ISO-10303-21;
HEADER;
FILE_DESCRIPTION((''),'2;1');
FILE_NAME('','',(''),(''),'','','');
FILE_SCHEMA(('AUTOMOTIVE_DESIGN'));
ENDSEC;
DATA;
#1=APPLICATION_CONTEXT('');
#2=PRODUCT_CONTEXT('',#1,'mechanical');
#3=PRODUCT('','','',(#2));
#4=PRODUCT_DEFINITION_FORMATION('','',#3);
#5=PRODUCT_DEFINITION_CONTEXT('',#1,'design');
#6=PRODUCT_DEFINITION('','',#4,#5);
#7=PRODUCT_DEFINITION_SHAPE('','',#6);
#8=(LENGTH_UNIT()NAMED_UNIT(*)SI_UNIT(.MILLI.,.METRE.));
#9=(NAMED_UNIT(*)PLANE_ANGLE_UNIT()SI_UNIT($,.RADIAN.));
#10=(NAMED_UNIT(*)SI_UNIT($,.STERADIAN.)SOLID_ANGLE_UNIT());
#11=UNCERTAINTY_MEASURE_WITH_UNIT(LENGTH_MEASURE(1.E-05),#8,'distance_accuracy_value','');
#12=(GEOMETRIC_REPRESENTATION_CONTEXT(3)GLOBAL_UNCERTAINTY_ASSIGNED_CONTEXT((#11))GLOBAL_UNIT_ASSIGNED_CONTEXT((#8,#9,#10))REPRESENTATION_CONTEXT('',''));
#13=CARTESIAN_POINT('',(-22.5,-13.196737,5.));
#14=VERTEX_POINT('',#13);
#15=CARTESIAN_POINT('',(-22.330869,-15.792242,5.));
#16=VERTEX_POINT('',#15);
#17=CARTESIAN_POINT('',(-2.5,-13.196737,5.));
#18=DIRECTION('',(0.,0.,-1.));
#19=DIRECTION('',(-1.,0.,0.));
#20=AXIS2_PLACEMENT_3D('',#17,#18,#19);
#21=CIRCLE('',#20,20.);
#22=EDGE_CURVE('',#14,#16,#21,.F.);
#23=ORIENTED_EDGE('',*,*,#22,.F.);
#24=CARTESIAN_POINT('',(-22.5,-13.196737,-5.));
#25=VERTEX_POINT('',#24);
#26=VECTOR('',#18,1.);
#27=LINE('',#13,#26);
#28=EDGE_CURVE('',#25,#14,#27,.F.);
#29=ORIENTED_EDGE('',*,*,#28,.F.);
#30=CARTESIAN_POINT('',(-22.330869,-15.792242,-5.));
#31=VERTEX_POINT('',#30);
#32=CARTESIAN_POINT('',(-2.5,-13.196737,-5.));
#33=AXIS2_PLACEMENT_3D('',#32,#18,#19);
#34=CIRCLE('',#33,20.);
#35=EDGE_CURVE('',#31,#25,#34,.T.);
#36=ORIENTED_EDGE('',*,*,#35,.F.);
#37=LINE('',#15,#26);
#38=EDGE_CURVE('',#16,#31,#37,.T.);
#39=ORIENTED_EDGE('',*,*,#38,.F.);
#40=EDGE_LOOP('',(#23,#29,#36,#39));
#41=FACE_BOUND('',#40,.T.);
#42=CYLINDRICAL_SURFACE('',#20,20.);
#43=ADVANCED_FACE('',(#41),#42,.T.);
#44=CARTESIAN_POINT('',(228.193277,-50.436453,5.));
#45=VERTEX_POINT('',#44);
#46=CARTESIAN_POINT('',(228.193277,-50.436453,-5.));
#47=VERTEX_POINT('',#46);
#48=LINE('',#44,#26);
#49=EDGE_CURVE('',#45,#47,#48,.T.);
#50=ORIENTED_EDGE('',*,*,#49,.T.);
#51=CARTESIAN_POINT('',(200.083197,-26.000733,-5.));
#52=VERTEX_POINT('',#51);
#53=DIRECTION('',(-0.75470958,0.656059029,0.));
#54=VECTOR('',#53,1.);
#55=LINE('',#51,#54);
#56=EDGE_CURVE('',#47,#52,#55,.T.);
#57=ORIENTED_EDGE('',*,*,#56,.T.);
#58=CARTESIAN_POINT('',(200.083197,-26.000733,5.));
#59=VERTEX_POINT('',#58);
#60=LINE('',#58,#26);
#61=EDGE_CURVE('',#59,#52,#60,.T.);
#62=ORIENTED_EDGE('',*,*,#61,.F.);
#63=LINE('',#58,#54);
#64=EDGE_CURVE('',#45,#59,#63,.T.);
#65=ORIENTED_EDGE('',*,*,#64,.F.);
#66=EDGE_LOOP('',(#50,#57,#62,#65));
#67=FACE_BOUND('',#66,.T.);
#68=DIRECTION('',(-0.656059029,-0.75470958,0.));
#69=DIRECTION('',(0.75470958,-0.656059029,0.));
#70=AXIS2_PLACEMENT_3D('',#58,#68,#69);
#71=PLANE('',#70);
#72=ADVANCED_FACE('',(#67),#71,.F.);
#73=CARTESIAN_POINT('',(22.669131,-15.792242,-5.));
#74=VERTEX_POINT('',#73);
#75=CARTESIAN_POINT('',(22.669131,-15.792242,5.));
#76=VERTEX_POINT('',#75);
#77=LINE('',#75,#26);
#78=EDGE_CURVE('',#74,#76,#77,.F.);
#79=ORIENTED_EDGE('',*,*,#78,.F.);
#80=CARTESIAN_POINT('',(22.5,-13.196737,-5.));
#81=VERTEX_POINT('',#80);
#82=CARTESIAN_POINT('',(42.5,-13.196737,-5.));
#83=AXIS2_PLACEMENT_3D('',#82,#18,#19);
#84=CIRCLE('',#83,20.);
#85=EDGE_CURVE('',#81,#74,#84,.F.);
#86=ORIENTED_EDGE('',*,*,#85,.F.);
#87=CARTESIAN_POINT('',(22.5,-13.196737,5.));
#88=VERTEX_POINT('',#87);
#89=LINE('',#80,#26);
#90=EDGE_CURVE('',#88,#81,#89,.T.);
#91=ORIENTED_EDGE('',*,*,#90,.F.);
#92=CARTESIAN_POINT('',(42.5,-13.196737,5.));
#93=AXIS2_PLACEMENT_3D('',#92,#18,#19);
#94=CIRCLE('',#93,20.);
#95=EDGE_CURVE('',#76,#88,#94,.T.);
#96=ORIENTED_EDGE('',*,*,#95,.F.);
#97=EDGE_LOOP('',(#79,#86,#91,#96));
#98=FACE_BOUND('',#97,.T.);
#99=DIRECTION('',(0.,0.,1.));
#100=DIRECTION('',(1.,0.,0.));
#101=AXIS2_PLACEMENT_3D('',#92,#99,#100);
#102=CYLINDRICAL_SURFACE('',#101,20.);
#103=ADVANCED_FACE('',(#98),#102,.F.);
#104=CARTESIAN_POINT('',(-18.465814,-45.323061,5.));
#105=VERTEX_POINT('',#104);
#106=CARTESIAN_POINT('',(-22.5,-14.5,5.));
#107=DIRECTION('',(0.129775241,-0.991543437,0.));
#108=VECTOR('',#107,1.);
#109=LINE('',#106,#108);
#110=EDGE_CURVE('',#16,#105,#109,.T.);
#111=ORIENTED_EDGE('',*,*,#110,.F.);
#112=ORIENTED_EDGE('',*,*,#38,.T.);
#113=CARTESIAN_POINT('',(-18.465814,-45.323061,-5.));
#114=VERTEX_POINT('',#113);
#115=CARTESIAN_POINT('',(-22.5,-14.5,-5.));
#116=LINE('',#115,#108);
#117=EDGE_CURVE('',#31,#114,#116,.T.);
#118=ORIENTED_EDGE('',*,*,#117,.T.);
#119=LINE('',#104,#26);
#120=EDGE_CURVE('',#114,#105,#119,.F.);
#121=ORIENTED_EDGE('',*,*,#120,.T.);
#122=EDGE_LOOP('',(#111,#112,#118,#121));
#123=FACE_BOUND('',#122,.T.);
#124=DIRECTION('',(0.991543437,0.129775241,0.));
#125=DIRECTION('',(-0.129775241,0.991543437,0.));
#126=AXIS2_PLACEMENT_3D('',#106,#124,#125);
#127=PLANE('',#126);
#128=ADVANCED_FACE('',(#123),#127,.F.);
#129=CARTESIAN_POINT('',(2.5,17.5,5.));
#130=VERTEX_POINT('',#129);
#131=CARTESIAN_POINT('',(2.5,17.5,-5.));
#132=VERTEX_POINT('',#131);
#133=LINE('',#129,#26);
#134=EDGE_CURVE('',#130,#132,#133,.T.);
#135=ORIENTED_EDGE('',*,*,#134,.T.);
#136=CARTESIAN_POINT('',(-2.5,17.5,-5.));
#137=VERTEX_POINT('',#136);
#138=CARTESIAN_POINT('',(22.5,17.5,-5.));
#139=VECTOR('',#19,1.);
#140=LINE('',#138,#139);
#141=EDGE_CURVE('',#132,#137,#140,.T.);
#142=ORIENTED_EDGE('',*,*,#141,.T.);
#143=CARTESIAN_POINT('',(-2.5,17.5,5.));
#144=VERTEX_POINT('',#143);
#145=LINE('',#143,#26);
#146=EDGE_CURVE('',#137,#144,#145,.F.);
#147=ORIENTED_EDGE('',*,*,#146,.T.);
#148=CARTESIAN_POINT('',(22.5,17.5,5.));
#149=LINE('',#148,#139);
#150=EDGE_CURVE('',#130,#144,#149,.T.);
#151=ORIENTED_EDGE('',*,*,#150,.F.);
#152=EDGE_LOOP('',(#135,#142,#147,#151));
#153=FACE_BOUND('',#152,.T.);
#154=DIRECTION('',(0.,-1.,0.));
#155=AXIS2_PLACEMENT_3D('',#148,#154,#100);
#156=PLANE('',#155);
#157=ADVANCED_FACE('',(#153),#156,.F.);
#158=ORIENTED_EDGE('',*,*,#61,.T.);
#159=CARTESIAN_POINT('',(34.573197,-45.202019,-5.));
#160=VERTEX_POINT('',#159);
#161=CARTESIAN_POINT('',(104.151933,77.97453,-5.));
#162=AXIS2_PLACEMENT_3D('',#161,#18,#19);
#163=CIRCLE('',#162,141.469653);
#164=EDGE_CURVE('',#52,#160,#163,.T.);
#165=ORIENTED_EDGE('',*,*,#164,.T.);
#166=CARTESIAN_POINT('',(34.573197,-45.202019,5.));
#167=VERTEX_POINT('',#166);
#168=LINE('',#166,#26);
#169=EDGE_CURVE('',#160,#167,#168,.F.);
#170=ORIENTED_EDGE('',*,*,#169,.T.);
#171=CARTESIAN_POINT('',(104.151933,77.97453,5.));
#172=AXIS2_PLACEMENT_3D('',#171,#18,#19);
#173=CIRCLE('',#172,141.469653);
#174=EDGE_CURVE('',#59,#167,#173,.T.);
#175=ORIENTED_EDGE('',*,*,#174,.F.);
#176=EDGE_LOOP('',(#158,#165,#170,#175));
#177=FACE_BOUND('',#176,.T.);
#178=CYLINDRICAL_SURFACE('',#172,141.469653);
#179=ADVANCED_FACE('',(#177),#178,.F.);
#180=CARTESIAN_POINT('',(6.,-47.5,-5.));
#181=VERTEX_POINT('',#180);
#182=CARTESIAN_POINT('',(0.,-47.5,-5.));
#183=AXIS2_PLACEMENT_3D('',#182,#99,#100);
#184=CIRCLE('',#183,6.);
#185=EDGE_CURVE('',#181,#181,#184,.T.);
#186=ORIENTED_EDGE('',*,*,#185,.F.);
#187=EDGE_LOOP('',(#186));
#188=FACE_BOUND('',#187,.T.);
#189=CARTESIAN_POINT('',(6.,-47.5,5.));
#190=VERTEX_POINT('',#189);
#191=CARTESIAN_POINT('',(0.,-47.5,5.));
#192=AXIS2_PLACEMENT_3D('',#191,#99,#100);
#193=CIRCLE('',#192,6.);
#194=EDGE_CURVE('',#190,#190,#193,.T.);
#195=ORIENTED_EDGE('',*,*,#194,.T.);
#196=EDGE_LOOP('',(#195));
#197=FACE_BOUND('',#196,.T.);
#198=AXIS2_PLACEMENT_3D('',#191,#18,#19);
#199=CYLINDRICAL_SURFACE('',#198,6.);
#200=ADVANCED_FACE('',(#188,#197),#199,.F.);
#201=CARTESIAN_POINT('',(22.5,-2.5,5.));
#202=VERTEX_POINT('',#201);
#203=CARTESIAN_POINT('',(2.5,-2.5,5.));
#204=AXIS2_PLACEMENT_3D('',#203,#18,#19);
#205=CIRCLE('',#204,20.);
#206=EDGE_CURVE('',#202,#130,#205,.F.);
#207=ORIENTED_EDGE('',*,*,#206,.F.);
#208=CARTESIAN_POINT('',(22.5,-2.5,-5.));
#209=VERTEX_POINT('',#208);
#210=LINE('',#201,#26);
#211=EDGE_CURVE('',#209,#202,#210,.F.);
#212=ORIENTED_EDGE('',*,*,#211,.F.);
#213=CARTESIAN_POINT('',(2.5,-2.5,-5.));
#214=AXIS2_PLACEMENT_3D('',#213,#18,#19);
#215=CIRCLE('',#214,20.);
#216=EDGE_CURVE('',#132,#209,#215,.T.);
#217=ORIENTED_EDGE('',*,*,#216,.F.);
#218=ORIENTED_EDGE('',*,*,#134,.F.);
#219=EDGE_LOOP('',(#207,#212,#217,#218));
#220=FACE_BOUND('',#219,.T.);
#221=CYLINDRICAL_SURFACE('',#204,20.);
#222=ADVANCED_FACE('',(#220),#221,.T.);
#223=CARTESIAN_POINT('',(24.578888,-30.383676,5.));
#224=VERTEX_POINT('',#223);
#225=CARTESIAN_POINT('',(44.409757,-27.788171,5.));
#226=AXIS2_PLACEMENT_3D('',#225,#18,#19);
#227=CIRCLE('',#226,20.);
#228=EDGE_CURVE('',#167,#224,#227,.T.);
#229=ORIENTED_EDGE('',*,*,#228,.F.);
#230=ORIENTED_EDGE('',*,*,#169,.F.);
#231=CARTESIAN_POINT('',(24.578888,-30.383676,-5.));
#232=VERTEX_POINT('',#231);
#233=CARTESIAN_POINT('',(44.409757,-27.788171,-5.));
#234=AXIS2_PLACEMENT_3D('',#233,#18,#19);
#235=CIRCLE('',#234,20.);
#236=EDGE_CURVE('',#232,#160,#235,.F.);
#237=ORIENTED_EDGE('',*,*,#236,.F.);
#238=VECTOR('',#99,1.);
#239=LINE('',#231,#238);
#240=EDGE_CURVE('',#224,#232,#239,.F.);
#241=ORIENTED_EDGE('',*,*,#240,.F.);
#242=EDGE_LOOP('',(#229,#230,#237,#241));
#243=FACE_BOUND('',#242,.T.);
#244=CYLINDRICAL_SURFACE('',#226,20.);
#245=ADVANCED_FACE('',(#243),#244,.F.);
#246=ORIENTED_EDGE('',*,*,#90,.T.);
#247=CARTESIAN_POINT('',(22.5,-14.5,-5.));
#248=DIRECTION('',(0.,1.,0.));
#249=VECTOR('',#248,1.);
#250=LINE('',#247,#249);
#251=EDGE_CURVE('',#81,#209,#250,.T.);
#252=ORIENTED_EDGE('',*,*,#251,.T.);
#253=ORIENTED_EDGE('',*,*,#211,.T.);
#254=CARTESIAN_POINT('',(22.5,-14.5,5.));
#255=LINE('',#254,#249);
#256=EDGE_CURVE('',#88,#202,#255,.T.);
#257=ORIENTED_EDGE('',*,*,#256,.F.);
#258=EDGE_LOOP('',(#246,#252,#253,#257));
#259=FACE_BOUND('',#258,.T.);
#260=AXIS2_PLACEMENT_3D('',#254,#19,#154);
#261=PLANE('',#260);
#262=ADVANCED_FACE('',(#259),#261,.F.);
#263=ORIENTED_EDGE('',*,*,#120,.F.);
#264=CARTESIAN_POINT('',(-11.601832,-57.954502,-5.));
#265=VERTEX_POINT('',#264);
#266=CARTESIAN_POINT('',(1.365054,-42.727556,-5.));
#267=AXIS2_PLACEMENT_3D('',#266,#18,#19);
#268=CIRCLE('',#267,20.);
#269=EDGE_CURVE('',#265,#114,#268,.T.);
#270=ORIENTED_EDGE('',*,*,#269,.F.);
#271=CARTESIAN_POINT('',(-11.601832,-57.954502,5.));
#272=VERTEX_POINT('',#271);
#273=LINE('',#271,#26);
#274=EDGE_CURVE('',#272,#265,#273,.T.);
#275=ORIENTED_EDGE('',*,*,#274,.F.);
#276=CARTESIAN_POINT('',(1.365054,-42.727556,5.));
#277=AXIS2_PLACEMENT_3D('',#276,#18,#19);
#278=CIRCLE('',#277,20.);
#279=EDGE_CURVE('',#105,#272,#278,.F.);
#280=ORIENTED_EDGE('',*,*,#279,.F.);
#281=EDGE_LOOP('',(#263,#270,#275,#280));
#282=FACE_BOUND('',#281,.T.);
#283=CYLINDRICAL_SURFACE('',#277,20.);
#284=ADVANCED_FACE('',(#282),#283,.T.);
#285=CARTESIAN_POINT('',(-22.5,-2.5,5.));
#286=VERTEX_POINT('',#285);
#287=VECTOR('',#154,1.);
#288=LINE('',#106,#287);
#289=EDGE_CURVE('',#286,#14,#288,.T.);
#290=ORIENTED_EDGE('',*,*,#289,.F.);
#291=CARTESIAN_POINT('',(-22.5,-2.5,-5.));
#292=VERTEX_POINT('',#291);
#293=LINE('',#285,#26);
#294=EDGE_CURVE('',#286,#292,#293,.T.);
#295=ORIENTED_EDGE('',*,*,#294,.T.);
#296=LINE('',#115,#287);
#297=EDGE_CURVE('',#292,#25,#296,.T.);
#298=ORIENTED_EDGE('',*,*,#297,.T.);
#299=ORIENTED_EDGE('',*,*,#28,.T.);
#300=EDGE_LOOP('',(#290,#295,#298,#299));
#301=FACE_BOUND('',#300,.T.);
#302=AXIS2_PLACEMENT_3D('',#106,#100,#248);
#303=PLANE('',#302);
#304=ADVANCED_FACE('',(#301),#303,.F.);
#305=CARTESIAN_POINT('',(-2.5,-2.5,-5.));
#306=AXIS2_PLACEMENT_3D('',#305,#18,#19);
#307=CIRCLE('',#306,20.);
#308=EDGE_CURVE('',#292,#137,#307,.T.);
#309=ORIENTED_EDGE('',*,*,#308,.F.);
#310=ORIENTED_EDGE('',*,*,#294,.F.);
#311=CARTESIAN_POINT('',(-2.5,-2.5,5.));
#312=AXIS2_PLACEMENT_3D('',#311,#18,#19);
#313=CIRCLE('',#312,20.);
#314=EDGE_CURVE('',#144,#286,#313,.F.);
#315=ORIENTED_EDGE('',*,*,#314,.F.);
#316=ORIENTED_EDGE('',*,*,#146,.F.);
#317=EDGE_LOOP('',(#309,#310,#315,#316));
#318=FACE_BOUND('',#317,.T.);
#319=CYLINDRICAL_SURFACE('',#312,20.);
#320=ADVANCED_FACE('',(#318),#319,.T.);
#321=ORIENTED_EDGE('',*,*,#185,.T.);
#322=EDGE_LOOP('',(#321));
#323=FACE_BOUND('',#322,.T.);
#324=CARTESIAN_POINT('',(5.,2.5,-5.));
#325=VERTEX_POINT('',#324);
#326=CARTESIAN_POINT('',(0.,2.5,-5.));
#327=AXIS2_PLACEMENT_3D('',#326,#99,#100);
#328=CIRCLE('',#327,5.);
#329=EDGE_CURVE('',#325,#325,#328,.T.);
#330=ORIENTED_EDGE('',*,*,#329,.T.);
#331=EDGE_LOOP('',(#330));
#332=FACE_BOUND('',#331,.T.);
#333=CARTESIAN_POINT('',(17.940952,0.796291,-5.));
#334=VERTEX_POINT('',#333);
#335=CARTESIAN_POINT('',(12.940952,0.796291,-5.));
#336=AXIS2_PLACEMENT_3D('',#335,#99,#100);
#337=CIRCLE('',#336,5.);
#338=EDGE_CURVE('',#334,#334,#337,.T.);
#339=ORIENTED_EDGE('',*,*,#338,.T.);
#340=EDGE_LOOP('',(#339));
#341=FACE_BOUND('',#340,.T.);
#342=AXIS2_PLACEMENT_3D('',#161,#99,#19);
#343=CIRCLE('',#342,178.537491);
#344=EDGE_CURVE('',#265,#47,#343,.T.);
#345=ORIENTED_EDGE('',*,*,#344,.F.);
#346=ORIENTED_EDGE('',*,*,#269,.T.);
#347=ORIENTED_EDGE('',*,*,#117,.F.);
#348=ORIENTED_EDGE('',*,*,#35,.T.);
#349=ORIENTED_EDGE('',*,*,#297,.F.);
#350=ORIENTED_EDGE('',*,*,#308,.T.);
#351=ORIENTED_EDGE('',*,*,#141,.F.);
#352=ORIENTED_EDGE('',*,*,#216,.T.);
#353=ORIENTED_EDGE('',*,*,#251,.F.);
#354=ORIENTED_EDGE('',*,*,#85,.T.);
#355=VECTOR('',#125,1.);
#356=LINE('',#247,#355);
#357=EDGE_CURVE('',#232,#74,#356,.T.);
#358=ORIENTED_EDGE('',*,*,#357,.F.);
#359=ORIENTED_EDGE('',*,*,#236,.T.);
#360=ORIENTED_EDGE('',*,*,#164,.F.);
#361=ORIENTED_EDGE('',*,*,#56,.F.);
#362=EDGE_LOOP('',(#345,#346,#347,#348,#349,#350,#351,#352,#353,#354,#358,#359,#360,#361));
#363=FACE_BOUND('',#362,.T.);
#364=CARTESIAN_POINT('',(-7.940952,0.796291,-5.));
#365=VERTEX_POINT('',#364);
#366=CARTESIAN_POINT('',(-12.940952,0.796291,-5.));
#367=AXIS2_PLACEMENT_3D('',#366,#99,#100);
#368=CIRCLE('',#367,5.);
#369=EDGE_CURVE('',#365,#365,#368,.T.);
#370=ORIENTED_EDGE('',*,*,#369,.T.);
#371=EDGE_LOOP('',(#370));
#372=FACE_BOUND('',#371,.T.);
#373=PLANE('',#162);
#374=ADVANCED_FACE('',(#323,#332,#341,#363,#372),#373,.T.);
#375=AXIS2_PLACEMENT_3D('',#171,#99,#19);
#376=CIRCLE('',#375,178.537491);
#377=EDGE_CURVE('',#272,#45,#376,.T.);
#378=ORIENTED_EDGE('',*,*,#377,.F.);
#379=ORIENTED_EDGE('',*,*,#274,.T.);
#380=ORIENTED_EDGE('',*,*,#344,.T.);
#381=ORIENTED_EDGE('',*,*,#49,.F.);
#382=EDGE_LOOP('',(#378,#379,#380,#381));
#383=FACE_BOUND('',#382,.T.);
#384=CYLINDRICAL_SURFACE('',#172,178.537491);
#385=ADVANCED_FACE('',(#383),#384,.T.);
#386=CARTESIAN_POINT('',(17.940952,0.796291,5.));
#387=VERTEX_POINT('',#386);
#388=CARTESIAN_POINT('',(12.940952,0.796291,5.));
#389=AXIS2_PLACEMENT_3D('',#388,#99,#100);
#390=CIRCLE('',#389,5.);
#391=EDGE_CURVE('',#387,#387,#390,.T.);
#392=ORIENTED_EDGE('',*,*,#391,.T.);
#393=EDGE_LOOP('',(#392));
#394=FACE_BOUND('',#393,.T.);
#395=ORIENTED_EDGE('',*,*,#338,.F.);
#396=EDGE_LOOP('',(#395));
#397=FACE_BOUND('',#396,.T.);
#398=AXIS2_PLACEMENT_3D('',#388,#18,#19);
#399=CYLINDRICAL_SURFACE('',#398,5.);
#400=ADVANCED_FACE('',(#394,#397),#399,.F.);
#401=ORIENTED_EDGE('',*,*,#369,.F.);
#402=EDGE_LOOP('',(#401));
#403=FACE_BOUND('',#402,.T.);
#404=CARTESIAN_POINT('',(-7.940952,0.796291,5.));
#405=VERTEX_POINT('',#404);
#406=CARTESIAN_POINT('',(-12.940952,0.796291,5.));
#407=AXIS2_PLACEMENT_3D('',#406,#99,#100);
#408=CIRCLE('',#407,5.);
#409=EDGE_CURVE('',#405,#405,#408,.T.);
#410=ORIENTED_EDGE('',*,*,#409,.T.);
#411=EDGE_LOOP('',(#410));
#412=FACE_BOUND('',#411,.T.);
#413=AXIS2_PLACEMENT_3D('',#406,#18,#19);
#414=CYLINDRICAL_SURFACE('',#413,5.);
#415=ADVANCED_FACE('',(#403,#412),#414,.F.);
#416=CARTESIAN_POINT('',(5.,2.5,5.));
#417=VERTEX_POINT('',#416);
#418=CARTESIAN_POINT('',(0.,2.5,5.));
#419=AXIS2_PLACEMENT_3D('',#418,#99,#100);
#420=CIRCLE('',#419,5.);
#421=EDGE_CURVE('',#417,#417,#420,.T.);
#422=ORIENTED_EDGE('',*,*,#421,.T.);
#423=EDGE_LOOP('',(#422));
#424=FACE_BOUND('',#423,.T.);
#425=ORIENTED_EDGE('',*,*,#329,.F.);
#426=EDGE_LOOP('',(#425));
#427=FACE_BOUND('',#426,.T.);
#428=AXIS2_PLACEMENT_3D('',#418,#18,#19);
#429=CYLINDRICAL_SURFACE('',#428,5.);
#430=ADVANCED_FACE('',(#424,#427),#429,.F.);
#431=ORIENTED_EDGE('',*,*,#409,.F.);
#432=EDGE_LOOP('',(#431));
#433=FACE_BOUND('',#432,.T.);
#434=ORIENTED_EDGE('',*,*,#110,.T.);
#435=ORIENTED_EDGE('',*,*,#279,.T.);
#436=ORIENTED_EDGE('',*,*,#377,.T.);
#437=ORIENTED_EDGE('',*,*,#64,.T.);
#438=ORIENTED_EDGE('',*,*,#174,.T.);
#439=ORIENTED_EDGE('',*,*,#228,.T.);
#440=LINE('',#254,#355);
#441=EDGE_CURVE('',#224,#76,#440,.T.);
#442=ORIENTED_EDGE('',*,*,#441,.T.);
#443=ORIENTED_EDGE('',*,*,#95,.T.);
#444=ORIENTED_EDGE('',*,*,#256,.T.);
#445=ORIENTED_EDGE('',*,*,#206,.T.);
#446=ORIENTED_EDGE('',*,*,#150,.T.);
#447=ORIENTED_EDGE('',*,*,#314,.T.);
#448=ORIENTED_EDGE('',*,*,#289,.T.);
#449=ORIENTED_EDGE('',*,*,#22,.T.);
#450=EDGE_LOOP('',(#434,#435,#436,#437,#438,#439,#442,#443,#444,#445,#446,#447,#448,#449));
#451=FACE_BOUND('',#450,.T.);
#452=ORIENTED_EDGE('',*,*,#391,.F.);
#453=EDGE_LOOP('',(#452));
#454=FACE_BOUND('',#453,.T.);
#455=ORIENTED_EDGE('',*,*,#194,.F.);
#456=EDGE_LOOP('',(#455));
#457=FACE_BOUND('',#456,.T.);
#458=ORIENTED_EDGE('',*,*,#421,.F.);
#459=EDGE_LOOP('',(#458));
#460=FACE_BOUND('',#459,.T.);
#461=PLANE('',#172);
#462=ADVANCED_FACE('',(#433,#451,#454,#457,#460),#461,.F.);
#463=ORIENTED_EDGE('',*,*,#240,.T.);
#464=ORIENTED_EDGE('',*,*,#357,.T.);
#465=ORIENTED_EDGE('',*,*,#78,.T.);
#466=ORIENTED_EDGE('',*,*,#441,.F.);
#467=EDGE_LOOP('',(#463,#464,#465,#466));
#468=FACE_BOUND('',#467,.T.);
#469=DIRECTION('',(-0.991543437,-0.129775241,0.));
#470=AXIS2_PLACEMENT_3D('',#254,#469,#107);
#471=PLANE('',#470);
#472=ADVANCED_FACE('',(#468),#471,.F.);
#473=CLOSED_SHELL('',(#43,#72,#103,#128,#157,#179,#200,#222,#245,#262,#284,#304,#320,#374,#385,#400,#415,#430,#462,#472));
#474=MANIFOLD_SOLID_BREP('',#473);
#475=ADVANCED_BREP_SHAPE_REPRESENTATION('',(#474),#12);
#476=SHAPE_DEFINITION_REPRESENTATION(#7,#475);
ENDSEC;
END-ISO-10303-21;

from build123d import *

# Parameters (mm, degrees)
ESQUISSE1_R        = 6
ESQUISSE1_R_2      = 5
BOSS_EXTRU_1_DEPTH = 5
CONG_1_R           = 20


with BuildPart() as part:
    # Esquisse1 → Boss.-Extru.1 (new body, symmetric)
    with BuildSketch(Plane.XY):
        with BuildLine():
            Line((200.083196535, -26.00073282), (228.193277133, -50.436453083))
            ThreePointArc((228.193277133, -50.436453083), (105.798406768, -100.555368837), (-17.5, -52.702334489))
            Line((-17.5, -52.702334489), (-22.5, -14.5))
            Line((-22.5, -14.5), (-22.5, 17.5))
            Line((-22.5, 17.5), (22.5, 17.5))
            Line((22.5, 17.5), (22.5, -14.5))
            Line((22.5, -14.5), (25.81470592, -39.825900861))
            ThreePointArc((25.81470592, -39.825900861), (115.339933121, -63.052032289), (200.083196535, -26.00073282))
        make_face()
        with Locations((0, -47.5)):
            Circle(ESQUISSE1_R, mode=Mode.SUBTRACT)
        with Locations((-12.940952255, 0.796291314)):
            Circle(ESQUISSE1_R_2, mode=Mode.SUBTRACT)
        with Locations((0, 2.5)):
            Circle(ESQUISSE1_R_2, mode=Mode.SUBTRACT)
        with Locations((12.940952255, 0.796291314)):
            Circle(ESQUISSE1_R_2, mode=Mode.SUBTRACT)
    extrude(amount=BOSS_EXTRU_1_DEPTH, both=True)

    # Congé1
    cong_1_edges = [part.edges().sort_by_distance(p)[0] for p in [
        (-17.5, -52.702334489, 0),
        (-22.5, -14.5, 0),
        (-22.5, 17.5, 0),
        (22.5, 17.5, 0),
        (22.5, -14.5, 0),
        (25.81470592, -39.825900861, 0),
    ]]
    fillet(cong_1_edges, radius=CONG_1_R)


solid = part.part
